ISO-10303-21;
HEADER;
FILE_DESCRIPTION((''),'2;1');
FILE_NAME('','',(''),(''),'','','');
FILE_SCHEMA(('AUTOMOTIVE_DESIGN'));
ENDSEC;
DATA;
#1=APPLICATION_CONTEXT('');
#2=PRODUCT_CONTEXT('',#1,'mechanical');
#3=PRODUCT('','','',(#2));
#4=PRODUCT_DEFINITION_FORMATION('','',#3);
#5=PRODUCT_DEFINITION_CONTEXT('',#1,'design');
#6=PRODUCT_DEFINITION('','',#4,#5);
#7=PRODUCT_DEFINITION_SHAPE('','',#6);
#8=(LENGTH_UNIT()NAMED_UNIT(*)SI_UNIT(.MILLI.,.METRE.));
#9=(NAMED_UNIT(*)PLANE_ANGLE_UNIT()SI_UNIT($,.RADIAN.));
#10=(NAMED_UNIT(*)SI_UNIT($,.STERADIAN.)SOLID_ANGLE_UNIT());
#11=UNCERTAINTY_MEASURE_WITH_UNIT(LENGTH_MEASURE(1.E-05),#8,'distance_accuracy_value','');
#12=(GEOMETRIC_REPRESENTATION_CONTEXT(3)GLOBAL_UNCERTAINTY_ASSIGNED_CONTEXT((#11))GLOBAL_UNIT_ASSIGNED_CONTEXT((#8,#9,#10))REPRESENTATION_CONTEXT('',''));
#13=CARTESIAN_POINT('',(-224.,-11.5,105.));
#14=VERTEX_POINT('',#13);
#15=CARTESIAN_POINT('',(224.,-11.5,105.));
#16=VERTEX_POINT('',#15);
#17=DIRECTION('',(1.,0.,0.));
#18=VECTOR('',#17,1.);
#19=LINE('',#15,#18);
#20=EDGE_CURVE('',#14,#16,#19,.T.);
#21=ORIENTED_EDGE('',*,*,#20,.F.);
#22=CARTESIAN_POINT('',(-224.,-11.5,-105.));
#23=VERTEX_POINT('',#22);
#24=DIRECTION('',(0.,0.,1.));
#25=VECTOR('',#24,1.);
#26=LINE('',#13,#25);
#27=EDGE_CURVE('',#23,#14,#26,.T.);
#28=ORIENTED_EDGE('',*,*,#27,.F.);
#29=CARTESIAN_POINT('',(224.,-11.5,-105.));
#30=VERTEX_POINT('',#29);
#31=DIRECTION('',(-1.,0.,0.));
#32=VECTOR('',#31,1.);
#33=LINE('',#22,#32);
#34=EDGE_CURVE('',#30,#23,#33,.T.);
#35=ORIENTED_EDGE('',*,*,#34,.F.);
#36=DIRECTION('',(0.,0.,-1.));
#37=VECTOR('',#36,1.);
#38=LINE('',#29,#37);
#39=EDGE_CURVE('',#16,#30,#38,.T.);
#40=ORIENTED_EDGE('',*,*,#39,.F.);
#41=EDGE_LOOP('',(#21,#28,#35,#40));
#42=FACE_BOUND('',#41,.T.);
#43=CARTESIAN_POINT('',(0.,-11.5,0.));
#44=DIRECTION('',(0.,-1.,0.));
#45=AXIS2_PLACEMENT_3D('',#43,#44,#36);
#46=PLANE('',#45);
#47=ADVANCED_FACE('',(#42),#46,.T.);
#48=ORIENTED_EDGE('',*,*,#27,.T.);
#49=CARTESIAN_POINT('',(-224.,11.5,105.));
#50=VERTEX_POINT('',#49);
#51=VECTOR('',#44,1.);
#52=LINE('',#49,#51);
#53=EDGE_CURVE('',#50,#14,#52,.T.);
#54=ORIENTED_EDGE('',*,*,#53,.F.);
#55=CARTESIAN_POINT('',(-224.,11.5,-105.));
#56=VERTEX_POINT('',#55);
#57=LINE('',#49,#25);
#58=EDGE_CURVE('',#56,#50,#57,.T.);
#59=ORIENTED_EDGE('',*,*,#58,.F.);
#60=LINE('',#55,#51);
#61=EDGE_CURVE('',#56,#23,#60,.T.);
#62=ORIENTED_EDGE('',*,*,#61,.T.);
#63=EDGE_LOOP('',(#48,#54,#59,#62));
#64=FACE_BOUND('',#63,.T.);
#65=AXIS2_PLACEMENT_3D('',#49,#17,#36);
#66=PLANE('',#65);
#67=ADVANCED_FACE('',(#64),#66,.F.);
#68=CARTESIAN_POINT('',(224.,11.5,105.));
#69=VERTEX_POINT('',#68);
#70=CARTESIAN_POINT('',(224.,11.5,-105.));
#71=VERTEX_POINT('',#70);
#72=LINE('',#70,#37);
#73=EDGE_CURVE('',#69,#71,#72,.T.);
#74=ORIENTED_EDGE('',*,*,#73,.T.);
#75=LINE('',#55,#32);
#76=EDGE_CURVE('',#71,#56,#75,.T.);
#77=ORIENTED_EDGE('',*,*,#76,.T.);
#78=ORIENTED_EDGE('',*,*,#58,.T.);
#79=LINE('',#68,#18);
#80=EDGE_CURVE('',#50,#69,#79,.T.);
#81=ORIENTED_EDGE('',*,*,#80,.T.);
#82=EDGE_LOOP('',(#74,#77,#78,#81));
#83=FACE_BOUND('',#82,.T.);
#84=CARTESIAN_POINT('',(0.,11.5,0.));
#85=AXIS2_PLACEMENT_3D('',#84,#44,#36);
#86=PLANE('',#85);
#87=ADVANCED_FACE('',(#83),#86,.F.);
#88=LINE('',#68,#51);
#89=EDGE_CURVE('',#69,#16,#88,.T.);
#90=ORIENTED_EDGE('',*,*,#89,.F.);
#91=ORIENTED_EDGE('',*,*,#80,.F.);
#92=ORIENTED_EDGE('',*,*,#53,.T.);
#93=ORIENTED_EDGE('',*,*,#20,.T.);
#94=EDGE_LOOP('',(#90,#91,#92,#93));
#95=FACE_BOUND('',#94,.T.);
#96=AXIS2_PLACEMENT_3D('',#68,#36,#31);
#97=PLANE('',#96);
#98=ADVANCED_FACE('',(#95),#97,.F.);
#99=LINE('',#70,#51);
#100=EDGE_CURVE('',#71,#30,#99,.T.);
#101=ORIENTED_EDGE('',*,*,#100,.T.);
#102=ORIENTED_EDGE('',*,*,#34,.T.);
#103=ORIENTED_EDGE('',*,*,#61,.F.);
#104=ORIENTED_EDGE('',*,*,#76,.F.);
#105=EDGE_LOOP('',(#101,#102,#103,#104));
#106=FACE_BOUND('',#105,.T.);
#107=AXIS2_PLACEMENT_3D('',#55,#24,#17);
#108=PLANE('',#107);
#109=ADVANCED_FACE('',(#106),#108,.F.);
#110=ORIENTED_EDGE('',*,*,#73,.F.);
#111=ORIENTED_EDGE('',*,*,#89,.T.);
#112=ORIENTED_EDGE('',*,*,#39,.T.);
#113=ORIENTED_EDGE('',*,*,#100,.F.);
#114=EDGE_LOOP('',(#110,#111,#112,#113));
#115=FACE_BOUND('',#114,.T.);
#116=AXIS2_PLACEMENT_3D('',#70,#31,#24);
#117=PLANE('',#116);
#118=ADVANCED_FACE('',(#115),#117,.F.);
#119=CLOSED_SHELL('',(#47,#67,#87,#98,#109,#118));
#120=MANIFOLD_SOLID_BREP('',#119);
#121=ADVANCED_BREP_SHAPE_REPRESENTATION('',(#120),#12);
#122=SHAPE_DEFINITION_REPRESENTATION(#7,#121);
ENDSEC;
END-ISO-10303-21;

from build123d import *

# Parameters (mm, degrees)
SKETCH_1_W        = 448
SKETCH_1_H        = 210
EXTRUDE_345_DEPTH = 11.5


with BuildPart() as part:
    # ｽｹｯﾁ1 → Extrude 345 (new, symmetric)
    with BuildSketch(Plane(origin=(0, 0, 0), x_dir=(1, 0, 0), z_dir=(0, 1, 0))):
        Rectangle(SKETCH_1_W, SKETCH_1_H)
    extrude(amount=EXTRUDE_345_DEPTH, both=True)


solid = part.part
